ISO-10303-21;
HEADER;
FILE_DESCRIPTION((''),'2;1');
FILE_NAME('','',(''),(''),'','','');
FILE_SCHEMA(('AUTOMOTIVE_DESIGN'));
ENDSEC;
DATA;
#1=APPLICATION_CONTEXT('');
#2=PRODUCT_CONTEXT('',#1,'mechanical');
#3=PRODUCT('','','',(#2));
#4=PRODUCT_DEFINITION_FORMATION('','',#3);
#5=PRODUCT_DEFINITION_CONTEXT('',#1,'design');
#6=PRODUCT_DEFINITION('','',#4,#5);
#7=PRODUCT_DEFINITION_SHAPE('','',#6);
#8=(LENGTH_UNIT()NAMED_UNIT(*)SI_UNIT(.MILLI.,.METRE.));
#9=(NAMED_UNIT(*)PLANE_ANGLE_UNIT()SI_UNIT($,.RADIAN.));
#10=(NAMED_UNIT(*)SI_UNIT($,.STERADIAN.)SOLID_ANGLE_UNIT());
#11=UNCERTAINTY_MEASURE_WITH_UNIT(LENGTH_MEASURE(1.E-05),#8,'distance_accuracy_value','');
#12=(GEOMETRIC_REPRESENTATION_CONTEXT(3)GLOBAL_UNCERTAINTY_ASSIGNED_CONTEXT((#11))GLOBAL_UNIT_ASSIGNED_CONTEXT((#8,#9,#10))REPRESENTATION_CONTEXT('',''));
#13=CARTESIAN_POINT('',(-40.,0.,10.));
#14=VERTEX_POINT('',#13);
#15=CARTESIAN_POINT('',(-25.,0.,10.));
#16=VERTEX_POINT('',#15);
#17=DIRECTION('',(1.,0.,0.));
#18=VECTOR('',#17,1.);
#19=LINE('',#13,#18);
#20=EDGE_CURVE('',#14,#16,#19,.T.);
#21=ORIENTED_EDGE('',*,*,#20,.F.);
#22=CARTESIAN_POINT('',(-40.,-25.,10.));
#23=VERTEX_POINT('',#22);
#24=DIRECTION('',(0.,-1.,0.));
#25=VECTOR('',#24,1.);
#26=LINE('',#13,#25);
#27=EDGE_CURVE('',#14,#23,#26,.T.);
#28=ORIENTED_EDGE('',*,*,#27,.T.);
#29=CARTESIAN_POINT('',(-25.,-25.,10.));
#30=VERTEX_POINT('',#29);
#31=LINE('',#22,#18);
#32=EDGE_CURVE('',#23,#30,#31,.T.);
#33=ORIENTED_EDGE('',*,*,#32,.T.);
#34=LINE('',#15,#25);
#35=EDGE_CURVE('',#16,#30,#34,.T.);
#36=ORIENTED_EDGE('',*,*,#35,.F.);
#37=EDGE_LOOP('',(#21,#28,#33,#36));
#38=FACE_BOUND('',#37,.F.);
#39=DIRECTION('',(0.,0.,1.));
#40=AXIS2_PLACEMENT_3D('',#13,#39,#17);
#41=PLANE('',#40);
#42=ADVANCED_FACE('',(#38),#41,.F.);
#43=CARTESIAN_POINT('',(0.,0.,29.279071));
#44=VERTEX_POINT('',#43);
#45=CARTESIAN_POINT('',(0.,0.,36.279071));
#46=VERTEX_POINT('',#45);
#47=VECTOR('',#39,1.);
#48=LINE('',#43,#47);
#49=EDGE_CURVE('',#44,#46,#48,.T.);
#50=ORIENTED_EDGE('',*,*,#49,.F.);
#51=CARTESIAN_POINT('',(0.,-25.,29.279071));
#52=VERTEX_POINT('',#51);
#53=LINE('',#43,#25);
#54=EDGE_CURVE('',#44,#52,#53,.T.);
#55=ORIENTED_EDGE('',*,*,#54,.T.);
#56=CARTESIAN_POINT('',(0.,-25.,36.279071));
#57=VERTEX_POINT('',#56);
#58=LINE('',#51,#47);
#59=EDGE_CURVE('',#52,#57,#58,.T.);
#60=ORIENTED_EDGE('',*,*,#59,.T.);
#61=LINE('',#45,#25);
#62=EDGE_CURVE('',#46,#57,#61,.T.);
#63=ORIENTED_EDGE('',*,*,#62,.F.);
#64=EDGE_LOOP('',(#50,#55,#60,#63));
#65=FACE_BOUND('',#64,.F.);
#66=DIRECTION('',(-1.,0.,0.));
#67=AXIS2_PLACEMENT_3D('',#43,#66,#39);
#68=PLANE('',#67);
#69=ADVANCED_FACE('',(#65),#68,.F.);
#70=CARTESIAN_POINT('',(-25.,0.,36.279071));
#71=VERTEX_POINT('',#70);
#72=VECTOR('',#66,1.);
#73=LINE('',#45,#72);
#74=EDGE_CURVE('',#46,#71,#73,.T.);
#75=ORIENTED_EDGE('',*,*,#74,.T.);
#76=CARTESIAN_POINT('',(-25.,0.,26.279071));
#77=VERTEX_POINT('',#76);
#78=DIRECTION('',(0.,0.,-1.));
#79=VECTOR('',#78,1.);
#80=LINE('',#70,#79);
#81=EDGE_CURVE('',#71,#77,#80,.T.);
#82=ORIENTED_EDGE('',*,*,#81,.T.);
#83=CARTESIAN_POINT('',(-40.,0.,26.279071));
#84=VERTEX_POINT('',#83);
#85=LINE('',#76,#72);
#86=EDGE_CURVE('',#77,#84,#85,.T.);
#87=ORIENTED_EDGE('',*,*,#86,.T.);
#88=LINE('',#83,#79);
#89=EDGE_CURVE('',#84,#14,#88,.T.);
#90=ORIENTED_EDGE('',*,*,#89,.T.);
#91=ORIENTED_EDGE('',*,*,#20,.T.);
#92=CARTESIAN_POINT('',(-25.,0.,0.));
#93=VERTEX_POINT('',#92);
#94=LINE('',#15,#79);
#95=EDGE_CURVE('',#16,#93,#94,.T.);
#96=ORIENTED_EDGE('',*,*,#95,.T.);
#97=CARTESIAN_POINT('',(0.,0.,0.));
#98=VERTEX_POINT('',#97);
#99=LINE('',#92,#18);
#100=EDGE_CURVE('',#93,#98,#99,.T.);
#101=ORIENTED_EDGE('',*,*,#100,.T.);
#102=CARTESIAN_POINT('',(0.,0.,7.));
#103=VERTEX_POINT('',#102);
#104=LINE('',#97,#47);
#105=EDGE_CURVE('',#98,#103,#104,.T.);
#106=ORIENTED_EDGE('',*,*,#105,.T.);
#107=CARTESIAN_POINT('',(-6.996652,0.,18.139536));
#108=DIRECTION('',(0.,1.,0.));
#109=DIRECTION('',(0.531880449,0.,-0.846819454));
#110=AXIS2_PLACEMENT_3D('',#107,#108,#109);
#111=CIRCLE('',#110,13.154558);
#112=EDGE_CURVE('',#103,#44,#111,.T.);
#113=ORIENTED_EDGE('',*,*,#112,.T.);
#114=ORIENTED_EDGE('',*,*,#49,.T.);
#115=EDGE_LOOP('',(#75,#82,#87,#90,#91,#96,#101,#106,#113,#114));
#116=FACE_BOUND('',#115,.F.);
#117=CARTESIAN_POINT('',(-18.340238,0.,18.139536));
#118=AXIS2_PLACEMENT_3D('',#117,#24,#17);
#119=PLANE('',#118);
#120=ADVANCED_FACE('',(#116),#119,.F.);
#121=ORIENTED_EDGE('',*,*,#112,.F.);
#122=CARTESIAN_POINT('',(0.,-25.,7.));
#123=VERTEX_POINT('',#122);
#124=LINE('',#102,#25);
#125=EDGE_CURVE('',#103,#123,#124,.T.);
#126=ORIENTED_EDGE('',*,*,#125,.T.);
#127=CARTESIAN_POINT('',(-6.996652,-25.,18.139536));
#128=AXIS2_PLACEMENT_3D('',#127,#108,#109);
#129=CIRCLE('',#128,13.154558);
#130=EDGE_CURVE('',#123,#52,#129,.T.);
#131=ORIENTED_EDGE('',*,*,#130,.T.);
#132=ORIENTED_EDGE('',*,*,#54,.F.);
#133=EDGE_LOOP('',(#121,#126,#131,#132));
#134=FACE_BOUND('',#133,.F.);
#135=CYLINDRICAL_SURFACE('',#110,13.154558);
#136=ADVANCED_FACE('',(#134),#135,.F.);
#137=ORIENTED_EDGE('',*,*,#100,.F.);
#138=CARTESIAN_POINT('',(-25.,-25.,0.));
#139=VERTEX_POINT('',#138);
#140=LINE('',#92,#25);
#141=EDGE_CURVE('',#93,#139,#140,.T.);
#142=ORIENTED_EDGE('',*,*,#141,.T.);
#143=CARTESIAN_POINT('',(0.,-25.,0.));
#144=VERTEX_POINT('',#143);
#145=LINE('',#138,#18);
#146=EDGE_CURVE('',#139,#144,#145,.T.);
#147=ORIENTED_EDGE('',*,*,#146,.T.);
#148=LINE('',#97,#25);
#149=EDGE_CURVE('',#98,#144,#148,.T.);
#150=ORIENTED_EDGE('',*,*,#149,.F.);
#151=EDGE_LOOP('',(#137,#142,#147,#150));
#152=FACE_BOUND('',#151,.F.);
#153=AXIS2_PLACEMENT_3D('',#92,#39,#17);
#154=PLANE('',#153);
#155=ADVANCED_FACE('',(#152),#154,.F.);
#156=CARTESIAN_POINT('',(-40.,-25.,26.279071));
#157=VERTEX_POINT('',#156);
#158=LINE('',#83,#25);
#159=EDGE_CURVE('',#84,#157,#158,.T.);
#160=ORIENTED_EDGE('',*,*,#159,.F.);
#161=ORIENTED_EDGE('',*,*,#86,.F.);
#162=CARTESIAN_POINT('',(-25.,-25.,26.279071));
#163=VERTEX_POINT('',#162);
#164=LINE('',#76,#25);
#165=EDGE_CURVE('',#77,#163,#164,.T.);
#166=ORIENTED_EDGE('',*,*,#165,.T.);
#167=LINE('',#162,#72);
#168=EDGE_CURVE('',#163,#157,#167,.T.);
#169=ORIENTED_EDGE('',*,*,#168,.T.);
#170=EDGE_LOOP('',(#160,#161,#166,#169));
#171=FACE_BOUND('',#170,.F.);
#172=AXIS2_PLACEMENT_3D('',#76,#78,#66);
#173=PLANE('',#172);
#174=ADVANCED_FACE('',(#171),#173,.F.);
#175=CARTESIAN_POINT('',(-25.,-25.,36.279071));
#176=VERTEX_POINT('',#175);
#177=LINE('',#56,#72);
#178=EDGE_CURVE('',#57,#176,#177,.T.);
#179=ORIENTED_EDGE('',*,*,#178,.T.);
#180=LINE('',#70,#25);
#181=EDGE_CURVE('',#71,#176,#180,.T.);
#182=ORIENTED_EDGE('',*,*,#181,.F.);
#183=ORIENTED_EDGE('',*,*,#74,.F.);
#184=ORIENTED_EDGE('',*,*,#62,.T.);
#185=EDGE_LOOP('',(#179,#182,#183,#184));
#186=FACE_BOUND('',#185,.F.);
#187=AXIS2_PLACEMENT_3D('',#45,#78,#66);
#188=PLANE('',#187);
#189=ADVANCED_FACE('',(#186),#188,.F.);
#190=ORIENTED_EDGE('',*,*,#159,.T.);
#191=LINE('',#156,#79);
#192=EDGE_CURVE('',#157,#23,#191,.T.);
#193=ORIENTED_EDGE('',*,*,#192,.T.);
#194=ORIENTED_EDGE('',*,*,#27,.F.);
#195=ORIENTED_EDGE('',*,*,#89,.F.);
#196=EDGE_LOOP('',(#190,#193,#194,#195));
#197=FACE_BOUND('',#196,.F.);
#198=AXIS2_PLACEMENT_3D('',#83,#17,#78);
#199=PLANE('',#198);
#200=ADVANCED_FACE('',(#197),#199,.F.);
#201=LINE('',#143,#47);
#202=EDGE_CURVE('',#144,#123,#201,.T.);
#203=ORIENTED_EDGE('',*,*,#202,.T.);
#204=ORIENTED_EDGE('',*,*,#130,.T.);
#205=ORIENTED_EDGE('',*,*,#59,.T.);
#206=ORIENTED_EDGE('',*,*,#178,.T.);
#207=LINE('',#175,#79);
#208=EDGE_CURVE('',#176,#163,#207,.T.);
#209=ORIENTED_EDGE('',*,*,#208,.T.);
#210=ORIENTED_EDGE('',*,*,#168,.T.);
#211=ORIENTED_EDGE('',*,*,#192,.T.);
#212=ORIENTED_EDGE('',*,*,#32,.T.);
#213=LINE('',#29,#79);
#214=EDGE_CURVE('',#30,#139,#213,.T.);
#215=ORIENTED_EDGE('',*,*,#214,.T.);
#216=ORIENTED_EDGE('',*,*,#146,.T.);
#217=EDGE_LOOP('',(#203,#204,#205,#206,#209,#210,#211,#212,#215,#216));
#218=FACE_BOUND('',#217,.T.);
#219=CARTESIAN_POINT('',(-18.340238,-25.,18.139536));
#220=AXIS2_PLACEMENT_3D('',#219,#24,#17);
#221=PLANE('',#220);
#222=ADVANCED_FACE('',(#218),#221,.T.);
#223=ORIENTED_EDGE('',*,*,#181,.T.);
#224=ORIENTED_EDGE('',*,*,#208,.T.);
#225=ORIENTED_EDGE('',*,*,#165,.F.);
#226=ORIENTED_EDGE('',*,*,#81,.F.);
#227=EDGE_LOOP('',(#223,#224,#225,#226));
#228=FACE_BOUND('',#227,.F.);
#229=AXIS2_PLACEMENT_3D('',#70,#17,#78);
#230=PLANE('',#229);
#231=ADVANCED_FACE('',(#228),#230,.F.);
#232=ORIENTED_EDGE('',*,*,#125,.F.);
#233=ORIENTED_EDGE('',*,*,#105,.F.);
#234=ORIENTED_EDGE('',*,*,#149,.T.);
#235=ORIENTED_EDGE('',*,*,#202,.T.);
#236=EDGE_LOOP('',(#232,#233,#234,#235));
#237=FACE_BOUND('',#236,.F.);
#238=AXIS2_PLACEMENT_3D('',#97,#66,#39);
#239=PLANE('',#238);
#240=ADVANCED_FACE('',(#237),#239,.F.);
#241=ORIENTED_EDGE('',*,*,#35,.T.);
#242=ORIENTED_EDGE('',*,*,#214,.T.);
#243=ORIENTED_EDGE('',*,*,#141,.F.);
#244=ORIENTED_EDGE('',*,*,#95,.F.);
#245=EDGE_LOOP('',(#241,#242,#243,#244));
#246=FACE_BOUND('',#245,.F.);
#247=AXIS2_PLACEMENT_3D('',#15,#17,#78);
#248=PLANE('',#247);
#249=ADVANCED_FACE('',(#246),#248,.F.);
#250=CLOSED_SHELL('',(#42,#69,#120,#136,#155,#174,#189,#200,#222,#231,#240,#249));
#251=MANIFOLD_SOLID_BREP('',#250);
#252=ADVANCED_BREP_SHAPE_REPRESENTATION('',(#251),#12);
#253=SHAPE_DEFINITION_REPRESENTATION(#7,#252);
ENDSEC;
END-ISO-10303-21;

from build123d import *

# Parameters (mm, degrees)
F1_DEPTH = 25


with BuildPart() as f1:
    # F0 (on Front) → F1 (new body)
    with BuildSketch(Plane.XZ):
        with BuildLine():
            Line((0, 36.279071), (-25, 36.279071))
            Line((-25, 36.279071), (-25, 26.279071))
            Line((-25, 26.279071), (-40, 26.279071))
            Line((-40, 26.279071), (-40, 10))
            Line((-40, 10), (-25, 10))
            Line((-25, 10), (-25, 0))
            Line((-25, 0), (0, 0))
            Line((0, 0), (0, 7))
            ThreePointArc((0, 7), (-20.15121, 18.139535), (0, 29.279071))
            Line((0, 29.279071), (0, 36.279071))
        make_face()
    extrude(amount=F1_DEPTH)


solid = f1.part
